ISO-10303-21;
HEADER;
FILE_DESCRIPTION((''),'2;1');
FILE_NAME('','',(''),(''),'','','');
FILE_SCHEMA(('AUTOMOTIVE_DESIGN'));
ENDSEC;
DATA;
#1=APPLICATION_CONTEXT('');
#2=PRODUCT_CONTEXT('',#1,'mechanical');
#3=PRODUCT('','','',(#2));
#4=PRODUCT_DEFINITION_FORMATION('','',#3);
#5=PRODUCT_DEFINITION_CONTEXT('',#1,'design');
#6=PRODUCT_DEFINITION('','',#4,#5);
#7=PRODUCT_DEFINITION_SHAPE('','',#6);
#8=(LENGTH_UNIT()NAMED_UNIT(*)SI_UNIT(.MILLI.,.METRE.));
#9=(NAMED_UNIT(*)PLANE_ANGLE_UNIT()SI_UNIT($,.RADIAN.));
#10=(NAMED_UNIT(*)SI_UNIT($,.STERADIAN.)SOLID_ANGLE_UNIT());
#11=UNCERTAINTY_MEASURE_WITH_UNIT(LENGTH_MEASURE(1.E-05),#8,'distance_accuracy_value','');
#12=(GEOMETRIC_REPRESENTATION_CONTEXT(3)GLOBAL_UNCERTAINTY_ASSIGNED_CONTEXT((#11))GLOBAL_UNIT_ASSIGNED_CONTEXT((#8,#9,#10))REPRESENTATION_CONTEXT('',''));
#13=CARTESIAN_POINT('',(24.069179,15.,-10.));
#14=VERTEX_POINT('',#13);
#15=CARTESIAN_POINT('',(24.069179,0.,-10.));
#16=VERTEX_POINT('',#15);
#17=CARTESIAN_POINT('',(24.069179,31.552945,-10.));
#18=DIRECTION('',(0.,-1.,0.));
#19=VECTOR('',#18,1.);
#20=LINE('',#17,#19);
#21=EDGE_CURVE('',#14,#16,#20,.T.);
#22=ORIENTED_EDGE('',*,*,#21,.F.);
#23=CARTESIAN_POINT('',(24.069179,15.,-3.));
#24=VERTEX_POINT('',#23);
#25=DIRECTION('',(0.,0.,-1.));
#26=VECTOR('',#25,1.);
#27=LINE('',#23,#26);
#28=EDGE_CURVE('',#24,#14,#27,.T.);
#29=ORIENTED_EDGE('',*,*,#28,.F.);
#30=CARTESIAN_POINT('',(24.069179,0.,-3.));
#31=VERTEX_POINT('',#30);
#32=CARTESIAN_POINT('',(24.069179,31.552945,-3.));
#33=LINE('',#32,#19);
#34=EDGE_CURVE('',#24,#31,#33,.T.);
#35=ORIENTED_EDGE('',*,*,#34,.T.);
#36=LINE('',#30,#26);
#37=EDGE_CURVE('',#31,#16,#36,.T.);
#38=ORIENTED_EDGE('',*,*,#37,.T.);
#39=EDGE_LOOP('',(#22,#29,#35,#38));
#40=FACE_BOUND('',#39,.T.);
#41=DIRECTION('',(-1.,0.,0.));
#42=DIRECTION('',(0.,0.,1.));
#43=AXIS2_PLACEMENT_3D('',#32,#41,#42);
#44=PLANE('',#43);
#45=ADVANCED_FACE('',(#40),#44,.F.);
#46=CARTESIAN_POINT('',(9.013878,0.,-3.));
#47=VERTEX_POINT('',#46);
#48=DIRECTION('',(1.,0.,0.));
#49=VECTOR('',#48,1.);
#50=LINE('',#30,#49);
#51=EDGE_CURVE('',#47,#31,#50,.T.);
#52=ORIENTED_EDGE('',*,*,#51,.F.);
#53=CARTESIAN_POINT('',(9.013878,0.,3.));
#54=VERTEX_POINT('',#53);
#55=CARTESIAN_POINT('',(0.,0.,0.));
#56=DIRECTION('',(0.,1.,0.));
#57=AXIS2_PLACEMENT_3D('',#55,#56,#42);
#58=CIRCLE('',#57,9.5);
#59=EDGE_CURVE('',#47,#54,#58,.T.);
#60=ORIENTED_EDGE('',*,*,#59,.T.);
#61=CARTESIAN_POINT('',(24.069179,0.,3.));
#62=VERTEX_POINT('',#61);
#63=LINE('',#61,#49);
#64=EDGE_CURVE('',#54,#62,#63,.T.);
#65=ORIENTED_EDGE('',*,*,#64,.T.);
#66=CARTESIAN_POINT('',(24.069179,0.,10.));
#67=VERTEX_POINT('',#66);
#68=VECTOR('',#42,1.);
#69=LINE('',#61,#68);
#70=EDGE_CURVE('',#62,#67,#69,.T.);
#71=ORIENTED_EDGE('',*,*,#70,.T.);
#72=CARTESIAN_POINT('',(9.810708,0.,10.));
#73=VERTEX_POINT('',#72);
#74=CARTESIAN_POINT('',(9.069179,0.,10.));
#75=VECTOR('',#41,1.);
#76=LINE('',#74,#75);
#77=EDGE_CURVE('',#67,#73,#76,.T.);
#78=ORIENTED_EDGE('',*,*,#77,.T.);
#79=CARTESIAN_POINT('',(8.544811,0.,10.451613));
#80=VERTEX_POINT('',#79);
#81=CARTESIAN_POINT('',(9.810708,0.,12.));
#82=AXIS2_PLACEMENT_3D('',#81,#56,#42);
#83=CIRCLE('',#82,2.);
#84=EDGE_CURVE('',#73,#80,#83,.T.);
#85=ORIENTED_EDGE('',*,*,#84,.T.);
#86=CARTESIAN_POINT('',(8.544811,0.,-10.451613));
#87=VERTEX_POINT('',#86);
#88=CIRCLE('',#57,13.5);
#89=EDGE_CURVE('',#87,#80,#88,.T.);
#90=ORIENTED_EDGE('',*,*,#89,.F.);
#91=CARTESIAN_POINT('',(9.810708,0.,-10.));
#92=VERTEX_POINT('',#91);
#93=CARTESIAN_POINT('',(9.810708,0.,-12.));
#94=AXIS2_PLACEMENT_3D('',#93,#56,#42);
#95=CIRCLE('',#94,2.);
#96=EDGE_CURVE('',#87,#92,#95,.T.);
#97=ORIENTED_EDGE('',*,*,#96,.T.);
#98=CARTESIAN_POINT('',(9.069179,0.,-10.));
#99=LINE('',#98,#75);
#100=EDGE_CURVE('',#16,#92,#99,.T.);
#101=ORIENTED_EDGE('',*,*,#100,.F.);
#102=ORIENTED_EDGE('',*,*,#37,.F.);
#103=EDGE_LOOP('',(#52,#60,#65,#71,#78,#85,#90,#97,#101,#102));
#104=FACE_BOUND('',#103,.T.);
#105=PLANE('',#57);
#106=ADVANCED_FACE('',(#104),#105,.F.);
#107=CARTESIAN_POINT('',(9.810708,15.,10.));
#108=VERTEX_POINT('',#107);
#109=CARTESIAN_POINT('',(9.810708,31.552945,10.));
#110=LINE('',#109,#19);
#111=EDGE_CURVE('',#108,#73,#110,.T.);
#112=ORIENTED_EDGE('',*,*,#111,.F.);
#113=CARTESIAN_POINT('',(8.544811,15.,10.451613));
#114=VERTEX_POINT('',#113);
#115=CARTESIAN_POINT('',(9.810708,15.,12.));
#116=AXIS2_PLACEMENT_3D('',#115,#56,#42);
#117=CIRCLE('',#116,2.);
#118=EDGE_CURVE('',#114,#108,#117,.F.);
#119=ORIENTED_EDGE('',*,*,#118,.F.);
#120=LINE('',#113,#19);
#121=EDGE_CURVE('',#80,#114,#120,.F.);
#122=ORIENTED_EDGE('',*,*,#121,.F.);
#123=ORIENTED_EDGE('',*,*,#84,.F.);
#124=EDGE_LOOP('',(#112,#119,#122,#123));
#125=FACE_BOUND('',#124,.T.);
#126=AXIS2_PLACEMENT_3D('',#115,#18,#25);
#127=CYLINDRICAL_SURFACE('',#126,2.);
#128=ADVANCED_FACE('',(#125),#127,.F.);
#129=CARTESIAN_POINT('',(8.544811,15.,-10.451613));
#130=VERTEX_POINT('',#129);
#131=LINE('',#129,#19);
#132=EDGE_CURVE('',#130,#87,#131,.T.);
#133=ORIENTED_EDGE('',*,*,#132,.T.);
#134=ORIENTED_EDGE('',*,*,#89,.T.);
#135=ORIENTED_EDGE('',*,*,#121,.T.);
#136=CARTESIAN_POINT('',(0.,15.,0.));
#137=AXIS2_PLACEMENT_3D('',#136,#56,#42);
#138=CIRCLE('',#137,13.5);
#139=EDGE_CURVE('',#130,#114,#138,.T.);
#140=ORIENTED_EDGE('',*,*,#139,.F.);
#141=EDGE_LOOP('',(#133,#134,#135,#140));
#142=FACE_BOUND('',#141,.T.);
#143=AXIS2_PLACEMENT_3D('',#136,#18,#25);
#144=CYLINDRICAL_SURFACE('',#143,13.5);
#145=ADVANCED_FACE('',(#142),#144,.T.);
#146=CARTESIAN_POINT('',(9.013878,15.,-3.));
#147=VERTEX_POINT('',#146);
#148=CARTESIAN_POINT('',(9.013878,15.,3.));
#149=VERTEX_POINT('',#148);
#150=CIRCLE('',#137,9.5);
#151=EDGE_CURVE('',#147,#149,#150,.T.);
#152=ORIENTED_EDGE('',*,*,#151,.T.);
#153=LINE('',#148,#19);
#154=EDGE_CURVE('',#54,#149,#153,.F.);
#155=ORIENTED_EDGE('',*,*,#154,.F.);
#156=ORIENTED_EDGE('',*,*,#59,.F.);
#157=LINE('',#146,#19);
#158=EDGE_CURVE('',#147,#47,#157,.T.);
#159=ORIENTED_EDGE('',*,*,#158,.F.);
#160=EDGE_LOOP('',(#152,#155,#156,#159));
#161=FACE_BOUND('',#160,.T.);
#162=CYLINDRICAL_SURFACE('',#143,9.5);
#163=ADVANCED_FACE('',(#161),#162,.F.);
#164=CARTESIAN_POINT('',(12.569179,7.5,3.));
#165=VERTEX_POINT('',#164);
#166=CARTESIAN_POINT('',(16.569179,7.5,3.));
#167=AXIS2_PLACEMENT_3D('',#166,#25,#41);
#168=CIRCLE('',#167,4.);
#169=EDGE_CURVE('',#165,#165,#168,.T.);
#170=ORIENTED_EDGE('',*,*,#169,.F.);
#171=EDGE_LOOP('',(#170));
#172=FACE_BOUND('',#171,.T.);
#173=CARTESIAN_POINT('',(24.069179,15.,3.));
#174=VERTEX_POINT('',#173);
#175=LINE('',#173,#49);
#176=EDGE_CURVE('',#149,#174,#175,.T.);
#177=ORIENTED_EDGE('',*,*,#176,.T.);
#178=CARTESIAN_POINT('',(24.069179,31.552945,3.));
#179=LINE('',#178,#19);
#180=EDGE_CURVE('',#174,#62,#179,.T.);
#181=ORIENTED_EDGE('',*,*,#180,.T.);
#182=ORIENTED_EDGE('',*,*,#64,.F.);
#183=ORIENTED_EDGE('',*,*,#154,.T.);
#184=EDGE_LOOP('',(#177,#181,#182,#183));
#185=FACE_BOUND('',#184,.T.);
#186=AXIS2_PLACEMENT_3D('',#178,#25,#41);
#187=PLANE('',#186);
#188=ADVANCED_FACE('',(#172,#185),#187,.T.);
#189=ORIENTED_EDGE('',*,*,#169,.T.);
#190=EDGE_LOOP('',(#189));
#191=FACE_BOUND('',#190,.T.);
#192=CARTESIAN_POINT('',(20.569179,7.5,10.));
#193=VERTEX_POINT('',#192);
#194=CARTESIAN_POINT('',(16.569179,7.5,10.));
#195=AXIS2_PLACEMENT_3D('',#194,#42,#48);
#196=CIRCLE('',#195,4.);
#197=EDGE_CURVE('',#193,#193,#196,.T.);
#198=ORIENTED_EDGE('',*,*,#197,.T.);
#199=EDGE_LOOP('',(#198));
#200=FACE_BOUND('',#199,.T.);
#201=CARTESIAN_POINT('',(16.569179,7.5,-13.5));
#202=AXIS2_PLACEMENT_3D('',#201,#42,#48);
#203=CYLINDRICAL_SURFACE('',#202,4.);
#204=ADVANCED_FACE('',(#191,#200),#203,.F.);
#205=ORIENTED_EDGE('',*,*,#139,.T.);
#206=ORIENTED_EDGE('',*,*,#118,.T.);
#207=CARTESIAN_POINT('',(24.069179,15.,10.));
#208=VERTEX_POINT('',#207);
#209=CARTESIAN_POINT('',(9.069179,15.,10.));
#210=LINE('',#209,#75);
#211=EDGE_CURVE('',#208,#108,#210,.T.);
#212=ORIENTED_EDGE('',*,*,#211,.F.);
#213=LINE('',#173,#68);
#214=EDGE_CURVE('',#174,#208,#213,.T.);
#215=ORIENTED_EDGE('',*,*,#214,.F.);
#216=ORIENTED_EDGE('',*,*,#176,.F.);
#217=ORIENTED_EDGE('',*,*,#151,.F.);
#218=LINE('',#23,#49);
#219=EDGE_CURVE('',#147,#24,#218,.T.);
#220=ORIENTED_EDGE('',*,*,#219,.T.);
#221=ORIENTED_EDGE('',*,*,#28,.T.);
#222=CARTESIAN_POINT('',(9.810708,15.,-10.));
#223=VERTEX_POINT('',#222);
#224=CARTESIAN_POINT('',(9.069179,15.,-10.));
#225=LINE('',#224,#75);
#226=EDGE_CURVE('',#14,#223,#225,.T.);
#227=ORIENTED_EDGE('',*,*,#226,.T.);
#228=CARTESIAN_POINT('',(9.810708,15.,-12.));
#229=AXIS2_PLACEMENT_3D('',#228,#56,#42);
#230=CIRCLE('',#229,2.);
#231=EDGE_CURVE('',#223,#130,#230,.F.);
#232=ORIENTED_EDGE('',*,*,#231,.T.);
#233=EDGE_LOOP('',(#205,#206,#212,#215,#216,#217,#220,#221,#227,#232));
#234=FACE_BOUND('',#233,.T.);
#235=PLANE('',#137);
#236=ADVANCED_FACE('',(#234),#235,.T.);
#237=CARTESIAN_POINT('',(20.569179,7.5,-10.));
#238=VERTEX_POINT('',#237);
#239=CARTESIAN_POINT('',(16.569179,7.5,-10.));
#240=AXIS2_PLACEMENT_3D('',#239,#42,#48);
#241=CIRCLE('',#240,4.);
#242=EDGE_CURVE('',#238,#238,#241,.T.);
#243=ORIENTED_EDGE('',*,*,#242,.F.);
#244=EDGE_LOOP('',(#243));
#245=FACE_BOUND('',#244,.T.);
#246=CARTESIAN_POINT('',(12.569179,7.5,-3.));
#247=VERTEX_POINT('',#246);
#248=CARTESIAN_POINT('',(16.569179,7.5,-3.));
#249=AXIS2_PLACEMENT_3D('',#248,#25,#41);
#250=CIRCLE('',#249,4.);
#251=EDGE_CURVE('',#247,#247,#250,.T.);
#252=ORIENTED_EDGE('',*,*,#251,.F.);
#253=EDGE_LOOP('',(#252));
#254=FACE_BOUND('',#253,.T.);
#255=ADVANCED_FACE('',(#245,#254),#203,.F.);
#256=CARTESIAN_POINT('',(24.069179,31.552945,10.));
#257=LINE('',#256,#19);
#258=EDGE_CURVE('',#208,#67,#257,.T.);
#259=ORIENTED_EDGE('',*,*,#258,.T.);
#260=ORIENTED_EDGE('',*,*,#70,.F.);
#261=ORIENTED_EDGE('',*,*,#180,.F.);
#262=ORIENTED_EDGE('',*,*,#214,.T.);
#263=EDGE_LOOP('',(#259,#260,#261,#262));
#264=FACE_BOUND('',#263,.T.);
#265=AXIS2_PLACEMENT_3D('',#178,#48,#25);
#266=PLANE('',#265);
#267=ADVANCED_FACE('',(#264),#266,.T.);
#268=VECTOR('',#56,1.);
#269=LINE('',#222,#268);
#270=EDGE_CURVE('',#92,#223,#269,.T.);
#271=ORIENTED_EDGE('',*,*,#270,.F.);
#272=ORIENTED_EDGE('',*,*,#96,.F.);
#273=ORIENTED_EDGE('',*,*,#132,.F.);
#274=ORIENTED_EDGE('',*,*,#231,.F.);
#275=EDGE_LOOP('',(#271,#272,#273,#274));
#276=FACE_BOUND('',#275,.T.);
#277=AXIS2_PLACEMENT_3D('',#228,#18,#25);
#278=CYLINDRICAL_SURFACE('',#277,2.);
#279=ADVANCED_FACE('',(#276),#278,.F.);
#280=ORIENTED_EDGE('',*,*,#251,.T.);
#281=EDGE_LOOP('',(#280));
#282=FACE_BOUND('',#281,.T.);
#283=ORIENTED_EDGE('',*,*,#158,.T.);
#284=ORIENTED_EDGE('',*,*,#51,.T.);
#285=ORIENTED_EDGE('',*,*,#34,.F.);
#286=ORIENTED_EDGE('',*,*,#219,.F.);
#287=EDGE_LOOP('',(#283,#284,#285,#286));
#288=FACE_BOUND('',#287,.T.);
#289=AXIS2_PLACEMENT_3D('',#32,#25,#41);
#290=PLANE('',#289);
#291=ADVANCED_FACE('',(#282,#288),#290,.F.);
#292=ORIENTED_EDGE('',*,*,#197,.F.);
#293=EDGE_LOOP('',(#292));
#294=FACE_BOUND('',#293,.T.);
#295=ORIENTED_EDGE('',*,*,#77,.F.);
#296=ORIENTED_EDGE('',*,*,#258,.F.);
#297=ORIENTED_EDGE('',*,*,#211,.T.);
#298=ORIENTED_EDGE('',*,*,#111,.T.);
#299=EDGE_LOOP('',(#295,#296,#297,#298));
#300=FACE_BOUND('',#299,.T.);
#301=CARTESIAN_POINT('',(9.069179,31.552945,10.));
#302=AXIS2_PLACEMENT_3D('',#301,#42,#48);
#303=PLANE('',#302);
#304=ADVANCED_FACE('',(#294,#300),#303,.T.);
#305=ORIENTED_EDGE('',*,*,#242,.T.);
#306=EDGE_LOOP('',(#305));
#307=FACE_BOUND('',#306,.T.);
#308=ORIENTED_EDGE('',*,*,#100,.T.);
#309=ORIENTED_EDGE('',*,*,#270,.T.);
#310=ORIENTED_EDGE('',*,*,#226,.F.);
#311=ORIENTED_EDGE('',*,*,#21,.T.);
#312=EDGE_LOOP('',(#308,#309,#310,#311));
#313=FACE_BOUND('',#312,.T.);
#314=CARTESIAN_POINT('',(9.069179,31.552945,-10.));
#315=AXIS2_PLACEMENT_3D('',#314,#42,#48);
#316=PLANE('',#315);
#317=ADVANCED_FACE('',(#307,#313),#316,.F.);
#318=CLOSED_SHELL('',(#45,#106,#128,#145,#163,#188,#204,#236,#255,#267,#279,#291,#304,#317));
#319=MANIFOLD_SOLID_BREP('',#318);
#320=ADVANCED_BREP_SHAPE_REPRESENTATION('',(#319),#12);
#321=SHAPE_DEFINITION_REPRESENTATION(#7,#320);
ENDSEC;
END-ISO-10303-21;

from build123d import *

# Parameters (mm, degrees)
SCHIZZO3_R           = 13.5
SCHIZZO3_R_2         = 9.5
ANELLO_DEPTH         = 15
AGGANCIOALTO_DEPTH   = 15
SCHIZZO5_W           = 24.069178574
SCHIZZO5_H           = 6
APERTURAANELLO_DEPTH = 32.409797153
SCHIZZO6_R           = 4
FOROPASSANTE_DEPTH   = 37.831716729
RACCORDOBASSO_R      = 2
RACCORDOALTO_R       = 2


with BuildPart() as part:
    # Schizzo3 → Anello (new body)
    with BuildSketch(Plane(origin=(0, 0, 0), x_dir=(1, 0, 0), z_dir=(0, 1, 0))):
        with Locations(Location((0, 0, 0), (0, 0, 270))):
            Circle(SCHIZZO3_R)
        with Locations(Location((0, 0, 0), (0, 0, 270))):
            Circle(SCHIZZO3_R_2, mode=Mode.SUBTRACT)
    extrude(amount=ANELLO_DEPTH)

    # Schizzo4 → AggancioAlto (add)
    with BuildSketch(Plane(origin=(0, 0, 0), x_dir=(1, 0, 0), z_dir=(0, 1, 0))):
        with BuildLine():
            Line((24.069178574, 3), (13.162446581, 3))
            ThreePointArc((13.162446581, 3), (11.653810075, 6.814595421), (9.069178574, 10))
            Line((9.069178574, 10), (24.069178574, 10))
            Line((24.069178574, 10), (24.069178574, 3))
        make_face()
    aggancioalto = extrude(amount=AGGANCIOALTO_DEPTH)

    # AggancioBasso: AggancioAlto across plane
    add(aggancioalto.mirror(Plane.XY))

    # Schizzo5 → AperturaAnello (cut, through all)
    with BuildSketch(Plane(origin=(0, 15, 0), x_dir=(1, 0, 0), z_dir=(0, 1, 0))):
        with Locations((12.034589287, 0)):
            Rectangle(SCHIZZO5_W, SCHIZZO5_H)
    extrude(amount=-APERTURAANELLO_DEPTH, mode=Mode.SUBTRACT)

    # Schizzo6 → ForoPassante (cut, through all)
    with BuildSketch(Plane.XY.offset(10)):
        with Locations((16.569178574, 7.5)):
            Circle(SCHIZZO6_R)
    extrude(amount=-FOROPASSANTE_DEPTH, mode=Mode.SUBTRACT)

    # RaccordoBasso
    raccordobasso_edges = [part.edges().sort_by_distance(p)[0] for p in [
        (9.069178574, 7.5, 10),
    ]]
    fillet(raccordobasso_edges, radius=RACCORDOBASSO_R)

    # RaccordoAlto
    raccordoalto_edges = [part.edges().sort_by_distance(p)[0] for p in [
        (9.069178574, 7.5, -10),
    ]]
    fillet(raccordoalto_edges, radius=RACCORDOALTO_R)


solid = part.part
